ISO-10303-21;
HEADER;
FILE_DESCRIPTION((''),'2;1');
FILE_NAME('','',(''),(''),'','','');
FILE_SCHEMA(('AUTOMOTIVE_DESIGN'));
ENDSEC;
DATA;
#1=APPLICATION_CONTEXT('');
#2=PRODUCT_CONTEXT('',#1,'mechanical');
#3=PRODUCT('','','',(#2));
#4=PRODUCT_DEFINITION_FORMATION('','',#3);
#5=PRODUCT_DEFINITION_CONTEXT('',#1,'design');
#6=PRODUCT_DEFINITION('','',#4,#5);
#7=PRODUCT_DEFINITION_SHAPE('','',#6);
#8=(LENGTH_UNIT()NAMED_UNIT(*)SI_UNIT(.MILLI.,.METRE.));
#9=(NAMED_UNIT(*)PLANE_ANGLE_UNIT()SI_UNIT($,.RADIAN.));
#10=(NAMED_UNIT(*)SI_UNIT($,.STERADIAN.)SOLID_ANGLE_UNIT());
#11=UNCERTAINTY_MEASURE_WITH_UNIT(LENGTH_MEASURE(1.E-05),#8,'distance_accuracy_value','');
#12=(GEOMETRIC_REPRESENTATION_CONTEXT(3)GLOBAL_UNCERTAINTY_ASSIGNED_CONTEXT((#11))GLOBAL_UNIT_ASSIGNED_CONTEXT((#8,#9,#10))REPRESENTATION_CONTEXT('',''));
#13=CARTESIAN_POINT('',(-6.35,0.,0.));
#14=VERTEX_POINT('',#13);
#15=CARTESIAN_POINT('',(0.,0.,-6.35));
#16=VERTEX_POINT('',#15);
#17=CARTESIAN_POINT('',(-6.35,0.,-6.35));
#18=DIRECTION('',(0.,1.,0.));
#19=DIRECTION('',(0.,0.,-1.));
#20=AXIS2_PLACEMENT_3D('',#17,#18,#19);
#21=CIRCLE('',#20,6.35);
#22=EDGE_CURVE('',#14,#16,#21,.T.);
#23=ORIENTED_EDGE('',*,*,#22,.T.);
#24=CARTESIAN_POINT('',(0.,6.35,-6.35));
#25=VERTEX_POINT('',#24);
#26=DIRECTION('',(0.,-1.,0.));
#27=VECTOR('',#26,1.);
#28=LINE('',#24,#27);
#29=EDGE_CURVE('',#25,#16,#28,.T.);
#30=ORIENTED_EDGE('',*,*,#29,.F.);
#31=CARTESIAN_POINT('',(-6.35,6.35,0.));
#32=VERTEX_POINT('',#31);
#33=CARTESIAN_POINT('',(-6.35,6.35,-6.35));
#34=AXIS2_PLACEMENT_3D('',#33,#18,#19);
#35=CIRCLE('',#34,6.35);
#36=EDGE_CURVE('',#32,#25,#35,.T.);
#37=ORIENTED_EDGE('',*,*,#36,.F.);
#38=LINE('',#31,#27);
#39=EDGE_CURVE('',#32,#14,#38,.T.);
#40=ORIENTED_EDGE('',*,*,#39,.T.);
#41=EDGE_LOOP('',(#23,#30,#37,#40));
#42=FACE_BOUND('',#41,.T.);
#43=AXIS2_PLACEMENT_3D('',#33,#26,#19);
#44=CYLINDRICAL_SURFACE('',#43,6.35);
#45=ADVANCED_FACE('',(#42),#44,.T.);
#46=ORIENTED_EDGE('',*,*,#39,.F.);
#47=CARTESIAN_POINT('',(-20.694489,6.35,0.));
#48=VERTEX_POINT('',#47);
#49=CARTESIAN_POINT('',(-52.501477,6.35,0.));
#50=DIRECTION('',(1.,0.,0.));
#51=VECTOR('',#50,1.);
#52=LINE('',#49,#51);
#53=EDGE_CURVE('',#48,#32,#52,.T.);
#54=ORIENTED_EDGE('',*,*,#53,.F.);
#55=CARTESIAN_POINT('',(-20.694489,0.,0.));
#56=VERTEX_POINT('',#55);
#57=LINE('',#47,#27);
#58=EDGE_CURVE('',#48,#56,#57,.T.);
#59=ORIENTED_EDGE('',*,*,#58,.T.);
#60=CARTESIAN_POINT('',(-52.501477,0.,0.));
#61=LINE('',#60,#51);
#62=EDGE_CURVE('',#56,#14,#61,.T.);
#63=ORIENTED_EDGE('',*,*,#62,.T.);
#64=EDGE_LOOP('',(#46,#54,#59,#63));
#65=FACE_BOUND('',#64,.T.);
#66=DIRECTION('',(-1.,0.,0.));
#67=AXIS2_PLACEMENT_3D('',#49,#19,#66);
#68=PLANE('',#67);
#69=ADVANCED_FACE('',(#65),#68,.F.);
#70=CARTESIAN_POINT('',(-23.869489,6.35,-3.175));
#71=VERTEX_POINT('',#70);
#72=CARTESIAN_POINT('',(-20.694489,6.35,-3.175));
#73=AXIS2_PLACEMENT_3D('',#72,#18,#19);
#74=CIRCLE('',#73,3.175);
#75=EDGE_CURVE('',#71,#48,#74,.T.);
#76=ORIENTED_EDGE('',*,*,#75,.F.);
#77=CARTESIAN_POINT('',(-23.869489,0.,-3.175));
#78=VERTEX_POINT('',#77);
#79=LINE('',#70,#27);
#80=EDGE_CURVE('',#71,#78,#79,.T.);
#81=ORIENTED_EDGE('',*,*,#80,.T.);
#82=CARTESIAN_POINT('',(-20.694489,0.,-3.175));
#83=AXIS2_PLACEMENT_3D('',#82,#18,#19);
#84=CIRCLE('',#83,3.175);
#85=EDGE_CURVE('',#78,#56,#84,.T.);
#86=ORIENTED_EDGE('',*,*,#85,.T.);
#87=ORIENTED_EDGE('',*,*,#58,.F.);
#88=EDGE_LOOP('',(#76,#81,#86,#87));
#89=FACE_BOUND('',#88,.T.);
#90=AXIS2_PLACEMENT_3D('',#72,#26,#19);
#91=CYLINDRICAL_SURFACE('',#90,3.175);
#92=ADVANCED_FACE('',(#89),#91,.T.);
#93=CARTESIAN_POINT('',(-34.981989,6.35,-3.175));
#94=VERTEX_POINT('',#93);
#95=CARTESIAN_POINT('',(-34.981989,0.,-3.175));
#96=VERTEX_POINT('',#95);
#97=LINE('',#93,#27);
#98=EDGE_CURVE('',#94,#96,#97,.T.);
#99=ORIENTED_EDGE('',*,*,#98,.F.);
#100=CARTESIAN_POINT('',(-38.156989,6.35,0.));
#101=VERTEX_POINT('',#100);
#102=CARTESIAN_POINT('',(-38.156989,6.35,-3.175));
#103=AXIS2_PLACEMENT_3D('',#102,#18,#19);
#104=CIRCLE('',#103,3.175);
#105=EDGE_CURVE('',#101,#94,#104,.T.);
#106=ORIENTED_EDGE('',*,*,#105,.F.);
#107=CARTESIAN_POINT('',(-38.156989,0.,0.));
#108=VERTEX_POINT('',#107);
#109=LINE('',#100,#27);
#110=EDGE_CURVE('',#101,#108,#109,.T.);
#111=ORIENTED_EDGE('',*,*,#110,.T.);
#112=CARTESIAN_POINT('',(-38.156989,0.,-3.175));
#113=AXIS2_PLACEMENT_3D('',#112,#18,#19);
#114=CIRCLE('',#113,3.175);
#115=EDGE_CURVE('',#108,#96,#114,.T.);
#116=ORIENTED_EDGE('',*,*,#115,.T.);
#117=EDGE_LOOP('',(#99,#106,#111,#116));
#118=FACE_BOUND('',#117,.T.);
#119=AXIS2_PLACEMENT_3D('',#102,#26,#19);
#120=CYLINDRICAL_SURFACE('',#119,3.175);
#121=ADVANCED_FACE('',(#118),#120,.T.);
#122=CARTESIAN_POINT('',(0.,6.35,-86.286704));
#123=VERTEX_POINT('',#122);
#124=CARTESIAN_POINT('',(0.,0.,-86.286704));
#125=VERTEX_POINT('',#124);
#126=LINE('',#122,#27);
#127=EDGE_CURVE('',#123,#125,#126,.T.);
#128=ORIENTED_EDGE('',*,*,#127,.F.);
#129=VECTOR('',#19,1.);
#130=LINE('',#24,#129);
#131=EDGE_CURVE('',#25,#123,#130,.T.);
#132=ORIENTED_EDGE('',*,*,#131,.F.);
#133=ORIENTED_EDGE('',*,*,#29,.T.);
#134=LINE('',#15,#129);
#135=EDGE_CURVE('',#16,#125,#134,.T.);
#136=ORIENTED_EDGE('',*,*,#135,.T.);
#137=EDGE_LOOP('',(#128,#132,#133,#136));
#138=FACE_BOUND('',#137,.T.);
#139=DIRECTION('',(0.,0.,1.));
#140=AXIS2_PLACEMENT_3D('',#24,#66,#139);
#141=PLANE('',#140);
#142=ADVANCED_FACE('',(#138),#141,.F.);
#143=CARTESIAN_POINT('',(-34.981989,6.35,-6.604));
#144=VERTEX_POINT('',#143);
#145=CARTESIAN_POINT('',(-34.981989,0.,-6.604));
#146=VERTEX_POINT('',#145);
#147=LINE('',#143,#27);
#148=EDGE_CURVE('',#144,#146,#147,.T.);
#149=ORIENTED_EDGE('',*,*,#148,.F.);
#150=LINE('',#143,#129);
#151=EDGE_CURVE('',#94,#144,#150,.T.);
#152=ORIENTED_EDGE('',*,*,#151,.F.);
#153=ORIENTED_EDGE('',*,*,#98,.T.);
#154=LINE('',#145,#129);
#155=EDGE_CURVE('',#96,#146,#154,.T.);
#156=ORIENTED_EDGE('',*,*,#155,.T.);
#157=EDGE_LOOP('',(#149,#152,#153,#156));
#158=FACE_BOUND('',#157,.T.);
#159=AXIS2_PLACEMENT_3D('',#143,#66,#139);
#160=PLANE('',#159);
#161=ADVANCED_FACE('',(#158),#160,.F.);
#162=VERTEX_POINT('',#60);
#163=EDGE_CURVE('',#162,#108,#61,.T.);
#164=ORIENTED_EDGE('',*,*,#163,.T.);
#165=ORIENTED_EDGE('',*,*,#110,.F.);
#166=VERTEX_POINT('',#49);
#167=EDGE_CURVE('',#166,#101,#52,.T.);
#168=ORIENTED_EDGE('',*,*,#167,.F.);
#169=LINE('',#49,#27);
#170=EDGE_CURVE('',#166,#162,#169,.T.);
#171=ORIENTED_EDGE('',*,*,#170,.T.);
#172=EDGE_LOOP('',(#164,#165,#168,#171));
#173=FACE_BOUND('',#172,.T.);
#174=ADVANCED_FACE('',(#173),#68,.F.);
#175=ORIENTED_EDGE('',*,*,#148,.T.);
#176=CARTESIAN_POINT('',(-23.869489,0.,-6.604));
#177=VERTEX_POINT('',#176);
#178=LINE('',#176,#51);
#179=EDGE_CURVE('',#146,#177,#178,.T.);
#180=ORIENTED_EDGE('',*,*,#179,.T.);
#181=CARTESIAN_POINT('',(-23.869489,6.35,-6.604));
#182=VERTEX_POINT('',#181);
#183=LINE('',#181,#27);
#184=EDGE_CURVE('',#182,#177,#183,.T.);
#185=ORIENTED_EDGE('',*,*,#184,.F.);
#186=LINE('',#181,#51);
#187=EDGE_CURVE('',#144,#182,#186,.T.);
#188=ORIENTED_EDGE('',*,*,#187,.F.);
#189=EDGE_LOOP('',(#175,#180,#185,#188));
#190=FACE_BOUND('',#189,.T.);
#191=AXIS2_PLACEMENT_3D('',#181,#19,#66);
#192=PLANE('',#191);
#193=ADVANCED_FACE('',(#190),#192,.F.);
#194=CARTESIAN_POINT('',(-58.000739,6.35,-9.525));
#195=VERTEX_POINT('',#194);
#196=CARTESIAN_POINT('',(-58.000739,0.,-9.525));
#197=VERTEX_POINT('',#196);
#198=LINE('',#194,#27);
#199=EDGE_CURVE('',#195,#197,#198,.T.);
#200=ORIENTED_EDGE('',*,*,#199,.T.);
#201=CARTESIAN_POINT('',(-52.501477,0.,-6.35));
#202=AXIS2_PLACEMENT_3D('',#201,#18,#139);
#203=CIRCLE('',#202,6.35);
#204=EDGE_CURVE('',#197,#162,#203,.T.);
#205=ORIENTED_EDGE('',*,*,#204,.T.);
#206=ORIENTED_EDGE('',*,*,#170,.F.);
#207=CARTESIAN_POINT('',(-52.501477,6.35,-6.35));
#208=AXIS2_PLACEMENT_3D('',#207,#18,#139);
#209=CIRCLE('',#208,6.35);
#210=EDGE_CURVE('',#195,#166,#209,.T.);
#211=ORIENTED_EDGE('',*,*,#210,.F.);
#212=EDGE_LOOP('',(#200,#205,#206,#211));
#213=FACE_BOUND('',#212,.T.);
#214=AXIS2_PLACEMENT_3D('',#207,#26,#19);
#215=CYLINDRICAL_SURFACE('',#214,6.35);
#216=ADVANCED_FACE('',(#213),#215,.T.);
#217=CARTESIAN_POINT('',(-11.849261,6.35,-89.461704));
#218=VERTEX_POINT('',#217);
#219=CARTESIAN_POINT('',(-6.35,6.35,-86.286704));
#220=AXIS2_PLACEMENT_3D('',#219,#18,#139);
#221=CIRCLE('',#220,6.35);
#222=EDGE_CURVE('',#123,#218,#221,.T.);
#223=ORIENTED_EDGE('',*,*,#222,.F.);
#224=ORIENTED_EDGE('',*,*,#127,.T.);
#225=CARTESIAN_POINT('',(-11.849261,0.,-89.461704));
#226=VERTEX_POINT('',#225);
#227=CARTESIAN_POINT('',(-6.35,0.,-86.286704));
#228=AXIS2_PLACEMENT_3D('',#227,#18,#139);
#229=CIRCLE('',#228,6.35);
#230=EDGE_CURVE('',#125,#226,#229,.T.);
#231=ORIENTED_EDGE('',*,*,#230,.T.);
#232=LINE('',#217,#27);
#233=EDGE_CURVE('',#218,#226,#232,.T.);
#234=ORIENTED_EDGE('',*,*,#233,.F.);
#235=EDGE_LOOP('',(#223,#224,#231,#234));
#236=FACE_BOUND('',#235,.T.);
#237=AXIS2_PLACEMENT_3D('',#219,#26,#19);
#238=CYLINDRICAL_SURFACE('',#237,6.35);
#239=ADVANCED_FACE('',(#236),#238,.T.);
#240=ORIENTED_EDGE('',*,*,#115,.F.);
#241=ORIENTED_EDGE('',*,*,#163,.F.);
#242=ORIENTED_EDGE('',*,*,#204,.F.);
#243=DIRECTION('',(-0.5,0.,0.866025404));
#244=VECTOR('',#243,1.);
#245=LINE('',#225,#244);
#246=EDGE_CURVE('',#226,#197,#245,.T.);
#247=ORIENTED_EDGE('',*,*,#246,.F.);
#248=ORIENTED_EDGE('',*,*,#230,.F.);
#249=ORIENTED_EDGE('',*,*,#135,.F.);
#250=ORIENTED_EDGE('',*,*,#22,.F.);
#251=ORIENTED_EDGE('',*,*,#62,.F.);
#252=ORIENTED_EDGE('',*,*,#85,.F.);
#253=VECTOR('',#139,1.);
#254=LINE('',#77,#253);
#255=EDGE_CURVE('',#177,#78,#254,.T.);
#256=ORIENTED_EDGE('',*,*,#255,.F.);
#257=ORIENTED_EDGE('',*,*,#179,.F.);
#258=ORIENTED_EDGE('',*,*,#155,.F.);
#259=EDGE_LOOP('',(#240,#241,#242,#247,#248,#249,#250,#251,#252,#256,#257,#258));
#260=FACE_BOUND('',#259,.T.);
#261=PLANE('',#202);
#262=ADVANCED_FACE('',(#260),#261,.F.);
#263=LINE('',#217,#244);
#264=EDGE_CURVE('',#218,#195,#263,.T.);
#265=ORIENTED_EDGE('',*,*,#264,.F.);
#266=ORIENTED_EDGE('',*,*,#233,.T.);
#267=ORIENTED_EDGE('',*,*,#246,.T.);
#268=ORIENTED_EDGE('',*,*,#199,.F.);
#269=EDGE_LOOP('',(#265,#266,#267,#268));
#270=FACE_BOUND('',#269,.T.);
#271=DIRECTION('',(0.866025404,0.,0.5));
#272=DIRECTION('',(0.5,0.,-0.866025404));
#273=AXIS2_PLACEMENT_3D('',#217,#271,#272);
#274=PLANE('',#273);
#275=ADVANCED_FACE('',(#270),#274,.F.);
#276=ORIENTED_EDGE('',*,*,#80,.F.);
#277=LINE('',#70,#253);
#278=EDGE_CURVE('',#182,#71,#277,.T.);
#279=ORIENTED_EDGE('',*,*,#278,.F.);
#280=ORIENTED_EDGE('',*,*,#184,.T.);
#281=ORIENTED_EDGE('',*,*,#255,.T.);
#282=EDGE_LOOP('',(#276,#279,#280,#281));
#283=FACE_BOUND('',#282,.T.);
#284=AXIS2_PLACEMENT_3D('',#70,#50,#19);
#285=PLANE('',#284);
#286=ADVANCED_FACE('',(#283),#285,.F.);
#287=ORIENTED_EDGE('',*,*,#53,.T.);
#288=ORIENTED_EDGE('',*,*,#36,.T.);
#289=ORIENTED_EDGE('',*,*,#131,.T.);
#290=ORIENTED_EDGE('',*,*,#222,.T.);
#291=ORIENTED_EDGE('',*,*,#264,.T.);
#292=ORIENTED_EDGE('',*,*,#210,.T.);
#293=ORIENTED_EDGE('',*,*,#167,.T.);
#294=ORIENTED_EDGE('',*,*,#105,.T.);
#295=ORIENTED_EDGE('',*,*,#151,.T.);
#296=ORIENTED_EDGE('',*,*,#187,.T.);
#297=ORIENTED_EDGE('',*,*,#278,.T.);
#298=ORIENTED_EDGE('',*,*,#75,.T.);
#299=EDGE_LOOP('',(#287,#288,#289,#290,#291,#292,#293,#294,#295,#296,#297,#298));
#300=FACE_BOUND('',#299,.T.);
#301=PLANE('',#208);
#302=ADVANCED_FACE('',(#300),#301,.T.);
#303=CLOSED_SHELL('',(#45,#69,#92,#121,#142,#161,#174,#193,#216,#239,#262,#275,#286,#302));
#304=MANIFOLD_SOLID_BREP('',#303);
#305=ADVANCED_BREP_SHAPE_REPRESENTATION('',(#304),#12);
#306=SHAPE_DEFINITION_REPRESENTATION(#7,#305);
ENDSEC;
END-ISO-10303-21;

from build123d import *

# Parameters (mm, degrees)
BOSS_EXTRUDE1_DEPTH = 6.35
CUT_EXTRUDE1_DEPTH  = 110.933515147


with BuildPart() as part:
    # Sketch1 → Boss-Extrude1 (new body)
    with BuildSketch(Plane(origin=(0, 0, 0), x_dir=(1, 0, 0), z_dir=(0, 1, 0))):
        with BuildLine():
            Line((0, 6.35), (0, 86.286703653))
            ThreePointArc((0, 86.286703653), (-4.706499064, 92.420332649), (-11.849261314, 89.461703653))
            Line((-11.849261314, 89.461703653), (-58.000738686, 9.525))
            ThreePointArc((-58.000738686, 9.525), (-58.000738686, 3.175), (-52.501477372, 0))
            Line((-52.501477372, 0), (-6.35, 0))
            ThreePointArc((-6.35, 0), (-1.859871939, 1.859871939), (0, 6.35))
        make_face()
    extrude(amount=BOSS_EXTRUDE1_DEPTH)

    # Sketch3 → Cut-Extrude1 (cut, through all)
    with BuildSketch(Plane.XZ):
        with BuildLine():
            Line((-23.869488686, -6.604), (-34.981988686, -6.604))
            Line((-34.981988686, -6.604), (-34.981988686, -3.175))
            ThreePointArc((-34.981988686, -3.175), (-35.911924656, -0.92993597), (-38.156988686, 0))
            Line((-38.156988686, 0), (-20.694488686, 0))
            ThreePointArc((-20.694488686, 0), (-22.939552716, -0.92993597), (-23.869488686, -3.175))
            Line((-23.869488686, -3.175), (-23.869488686, -6.604))
        make_face()
    extrude(amount=-CUT_EXTRUDE1_DEPTH, mode=Mode.SUBTRACT)


solid = part.part
